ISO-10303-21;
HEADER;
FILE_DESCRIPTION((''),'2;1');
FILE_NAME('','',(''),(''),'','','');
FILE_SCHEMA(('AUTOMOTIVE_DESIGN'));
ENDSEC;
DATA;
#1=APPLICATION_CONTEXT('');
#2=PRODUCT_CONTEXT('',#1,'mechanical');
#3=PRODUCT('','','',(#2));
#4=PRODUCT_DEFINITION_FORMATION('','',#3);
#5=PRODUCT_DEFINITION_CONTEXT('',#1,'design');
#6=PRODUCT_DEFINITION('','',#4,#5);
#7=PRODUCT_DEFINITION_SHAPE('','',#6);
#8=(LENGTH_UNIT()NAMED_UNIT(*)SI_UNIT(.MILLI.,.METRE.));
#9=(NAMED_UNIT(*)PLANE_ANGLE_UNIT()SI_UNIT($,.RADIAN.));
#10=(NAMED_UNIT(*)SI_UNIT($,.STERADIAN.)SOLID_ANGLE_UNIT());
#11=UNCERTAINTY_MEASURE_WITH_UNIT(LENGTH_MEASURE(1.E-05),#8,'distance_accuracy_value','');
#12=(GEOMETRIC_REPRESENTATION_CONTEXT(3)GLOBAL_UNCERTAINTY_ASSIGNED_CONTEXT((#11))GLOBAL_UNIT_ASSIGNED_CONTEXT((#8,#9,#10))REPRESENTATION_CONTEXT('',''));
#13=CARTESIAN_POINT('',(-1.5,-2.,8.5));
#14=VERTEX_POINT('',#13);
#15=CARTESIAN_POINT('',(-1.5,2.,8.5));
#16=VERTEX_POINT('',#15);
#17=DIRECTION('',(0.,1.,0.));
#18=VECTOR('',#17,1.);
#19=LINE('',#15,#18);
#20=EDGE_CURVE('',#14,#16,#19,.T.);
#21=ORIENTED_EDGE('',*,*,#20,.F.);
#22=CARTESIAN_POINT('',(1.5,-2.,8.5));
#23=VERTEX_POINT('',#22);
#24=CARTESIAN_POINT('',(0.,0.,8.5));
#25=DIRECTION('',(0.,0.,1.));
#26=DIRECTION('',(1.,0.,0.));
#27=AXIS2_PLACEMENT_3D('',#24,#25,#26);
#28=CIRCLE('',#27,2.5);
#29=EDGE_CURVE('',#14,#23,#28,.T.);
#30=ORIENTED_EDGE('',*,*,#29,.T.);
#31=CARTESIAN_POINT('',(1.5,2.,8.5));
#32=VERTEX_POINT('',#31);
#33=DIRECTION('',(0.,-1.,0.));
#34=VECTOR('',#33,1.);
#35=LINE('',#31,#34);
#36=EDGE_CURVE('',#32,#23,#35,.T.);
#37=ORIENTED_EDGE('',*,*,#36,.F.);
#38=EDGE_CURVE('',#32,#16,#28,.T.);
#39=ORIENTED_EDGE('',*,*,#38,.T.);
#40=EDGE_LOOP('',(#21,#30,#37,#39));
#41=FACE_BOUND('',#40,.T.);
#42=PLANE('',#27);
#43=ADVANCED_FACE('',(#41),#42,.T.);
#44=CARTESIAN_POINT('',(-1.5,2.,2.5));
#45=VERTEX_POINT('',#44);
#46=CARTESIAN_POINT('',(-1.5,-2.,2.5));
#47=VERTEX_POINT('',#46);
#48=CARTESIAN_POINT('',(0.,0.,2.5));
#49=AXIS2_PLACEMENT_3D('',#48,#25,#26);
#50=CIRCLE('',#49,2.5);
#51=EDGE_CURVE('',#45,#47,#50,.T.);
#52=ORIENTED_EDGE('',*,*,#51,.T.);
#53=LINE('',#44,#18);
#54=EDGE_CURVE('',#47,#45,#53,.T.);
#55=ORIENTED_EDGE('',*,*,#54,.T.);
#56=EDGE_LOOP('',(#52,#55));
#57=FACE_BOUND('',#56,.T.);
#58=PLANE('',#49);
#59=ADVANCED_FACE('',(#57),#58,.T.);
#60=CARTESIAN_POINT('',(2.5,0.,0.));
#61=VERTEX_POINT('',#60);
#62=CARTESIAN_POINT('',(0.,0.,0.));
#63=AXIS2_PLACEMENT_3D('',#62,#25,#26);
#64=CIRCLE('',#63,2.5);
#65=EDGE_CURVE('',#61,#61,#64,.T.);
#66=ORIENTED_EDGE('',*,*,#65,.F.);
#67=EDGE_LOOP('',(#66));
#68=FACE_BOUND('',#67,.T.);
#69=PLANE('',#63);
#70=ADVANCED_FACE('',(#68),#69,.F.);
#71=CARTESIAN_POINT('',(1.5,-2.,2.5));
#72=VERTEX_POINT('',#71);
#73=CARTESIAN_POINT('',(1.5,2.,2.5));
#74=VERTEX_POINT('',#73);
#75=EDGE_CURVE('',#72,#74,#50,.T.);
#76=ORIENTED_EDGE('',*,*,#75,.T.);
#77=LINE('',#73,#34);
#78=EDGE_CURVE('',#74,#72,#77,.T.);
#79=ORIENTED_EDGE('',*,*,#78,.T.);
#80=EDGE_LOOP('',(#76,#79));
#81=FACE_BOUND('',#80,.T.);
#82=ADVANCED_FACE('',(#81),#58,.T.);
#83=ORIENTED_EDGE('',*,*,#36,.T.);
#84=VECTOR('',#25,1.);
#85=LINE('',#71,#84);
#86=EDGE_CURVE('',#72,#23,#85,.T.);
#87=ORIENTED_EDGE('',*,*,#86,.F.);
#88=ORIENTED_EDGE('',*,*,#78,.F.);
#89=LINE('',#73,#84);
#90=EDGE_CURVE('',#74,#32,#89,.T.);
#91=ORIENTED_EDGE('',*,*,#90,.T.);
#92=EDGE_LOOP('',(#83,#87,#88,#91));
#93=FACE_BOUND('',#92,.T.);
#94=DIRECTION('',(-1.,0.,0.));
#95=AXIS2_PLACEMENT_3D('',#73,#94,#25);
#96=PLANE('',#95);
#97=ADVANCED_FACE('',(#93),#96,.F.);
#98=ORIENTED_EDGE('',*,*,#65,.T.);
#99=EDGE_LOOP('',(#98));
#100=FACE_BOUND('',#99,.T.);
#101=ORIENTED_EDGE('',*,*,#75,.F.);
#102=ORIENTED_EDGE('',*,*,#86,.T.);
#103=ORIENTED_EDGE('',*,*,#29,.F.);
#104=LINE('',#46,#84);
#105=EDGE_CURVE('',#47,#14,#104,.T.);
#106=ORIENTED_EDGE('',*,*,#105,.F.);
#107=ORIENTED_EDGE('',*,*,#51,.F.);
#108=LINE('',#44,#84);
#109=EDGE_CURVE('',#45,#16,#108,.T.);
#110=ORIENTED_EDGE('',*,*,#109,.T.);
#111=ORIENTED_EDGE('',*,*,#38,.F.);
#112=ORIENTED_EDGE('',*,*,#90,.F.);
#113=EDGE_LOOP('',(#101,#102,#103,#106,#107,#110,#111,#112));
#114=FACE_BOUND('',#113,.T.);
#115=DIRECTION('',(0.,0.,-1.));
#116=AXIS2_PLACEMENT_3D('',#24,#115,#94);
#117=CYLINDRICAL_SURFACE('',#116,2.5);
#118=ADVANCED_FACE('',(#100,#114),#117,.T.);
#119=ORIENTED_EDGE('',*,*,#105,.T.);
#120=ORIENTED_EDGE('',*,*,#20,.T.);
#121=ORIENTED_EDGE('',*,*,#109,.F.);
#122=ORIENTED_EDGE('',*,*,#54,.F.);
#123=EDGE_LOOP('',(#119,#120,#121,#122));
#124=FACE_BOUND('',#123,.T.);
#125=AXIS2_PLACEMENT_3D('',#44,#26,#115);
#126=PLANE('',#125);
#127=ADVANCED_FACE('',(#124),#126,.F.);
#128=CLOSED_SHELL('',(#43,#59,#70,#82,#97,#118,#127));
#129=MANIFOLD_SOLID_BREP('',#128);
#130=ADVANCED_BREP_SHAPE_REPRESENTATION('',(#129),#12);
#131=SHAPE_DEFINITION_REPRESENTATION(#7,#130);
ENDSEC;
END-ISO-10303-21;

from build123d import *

# Parameters (mm, degrees)
SKETCH1_R           = 2.5
BOSS_EXTRUDE1_DEPTH = 8.5
CUT_EXTRUDE1_START  = -6
CUT_EXTRUDE1_DEPTH  = 6


with BuildPart() as part:
    # Sketch1 → Boss-Extrude1 (new body)
    with BuildSketch(Plane.XY):
        Circle(SKETCH1_R)
    extrude(amount=BOSS_EXTRUDE1_DEPTH)

    # Sketch2 → Cut-Extrude1 (cut)
    with BuildSketch(Plane.XY.offset(8.5).offset(CUT_EXTRUDE1_START)):
        with BuildLine():
            Line((-1.5, 2), (-1.5, -2))
            ThreePointArc((-1.5, -2), (-2.5, 0), (-1.5, 2))
        make_face()
        with BuildLine():
            Line((1.5, 2), (1.5, -2))
            ThreePointArc((1.5, -2), (2.5, 0), (1.5, 2))
        make_face()
    extrude(amount=CUT_EXTRUDE1_DEPTH, mode=Mode.SUBTRACT)


solid = part.part
